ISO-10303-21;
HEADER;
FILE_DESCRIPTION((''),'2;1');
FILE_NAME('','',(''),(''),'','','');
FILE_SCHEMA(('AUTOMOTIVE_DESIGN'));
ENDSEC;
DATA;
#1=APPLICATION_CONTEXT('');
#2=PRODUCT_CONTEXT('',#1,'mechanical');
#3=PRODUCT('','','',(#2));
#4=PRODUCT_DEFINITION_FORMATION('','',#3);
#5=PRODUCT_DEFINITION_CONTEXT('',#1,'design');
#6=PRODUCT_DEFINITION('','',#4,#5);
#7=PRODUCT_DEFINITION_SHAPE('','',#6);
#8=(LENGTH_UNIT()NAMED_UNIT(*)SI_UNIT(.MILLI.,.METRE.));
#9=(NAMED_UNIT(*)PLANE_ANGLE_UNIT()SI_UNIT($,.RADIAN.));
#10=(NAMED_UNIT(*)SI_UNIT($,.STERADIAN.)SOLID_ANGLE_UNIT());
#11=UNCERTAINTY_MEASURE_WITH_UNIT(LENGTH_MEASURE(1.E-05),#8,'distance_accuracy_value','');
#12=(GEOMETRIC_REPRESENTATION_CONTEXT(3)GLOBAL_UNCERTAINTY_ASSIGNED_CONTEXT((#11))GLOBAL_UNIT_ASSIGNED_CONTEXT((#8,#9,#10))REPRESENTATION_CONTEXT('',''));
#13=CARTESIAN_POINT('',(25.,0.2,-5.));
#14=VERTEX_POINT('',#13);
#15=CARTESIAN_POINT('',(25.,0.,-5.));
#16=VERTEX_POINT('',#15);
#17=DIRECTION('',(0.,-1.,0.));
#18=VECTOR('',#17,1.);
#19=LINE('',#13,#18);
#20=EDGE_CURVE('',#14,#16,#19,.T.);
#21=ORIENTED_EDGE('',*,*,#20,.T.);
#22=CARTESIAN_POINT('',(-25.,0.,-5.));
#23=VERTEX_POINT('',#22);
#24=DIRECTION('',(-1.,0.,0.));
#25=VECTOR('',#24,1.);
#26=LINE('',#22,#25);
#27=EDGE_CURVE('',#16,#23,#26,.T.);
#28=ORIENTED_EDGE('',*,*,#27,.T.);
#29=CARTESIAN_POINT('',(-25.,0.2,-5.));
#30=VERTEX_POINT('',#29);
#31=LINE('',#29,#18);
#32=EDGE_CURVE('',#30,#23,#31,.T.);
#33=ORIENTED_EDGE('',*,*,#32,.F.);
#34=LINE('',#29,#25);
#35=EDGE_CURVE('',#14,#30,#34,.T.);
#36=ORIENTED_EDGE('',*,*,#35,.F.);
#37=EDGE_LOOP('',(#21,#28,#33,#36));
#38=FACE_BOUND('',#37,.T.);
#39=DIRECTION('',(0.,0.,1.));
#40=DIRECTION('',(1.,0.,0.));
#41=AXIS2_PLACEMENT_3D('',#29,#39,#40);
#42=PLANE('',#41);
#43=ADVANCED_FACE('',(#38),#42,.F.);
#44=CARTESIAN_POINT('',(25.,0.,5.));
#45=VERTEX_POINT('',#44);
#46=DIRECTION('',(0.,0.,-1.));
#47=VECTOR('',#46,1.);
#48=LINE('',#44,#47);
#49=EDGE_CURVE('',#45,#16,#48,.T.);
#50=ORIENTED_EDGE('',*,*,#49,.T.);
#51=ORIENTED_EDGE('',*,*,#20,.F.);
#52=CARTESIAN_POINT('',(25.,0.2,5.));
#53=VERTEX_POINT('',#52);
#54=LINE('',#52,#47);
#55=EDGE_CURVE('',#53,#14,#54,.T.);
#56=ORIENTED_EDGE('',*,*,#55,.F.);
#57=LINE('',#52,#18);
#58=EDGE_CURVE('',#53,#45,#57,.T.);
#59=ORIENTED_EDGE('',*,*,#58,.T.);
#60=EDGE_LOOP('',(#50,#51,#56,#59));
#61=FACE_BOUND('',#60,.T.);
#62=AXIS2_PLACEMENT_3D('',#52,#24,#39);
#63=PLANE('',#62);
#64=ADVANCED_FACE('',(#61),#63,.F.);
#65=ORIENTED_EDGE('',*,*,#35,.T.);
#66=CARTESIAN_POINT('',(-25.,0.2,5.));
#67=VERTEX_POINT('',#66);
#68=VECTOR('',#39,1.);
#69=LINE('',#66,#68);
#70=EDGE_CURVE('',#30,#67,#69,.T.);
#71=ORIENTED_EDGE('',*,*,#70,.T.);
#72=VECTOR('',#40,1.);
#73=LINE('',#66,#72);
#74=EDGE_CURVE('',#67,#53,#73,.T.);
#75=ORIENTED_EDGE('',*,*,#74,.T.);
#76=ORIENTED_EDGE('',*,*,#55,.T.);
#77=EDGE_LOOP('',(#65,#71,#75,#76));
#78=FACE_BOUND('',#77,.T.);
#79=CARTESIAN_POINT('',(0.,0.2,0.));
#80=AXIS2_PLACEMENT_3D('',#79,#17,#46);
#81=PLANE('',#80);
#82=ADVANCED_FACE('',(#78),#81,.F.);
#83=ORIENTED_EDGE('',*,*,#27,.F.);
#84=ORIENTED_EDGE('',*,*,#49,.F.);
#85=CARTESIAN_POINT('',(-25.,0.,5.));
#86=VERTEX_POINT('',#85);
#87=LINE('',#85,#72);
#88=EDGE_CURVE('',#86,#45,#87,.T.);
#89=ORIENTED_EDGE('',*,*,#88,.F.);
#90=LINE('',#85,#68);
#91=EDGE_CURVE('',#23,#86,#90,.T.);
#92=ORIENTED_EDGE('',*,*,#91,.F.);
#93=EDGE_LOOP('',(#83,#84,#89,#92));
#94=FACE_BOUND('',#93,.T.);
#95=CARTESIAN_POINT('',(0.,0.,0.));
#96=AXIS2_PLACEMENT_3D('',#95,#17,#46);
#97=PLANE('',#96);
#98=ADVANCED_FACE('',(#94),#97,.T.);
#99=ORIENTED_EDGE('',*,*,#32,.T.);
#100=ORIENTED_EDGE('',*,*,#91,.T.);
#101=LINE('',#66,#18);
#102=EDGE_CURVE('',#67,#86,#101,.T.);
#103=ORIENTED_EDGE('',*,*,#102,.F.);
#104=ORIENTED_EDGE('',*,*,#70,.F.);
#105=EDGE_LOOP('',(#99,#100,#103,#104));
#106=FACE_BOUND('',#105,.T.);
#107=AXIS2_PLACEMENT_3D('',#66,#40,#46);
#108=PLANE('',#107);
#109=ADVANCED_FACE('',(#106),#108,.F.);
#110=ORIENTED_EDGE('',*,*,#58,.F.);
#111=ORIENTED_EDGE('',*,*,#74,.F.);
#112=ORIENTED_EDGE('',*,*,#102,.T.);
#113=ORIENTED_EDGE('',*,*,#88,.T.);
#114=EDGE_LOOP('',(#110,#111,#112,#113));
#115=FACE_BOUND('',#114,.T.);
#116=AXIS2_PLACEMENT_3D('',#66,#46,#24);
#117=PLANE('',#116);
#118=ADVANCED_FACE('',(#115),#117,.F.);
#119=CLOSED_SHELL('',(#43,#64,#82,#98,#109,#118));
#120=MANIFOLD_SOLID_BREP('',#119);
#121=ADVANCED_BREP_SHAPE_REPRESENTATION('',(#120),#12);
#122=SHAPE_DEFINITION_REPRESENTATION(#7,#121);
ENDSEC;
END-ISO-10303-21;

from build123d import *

# Parameters (mm, degrees)
CROQUIS1_W              = 50
CROQUIS1_H              = 10
SALIENTE_EXTRUIR1_DEPTH = 0.2


with BuildPart() as part:
    # Croquis1 → Saliente-Extruir1 (new body)
    with BuildSketch(Plane(origin=(0, 0, 0), x_dir=(1, 0, 0), z_dir=(0, 1, 0))):
        Rectangle(CROQUIS1_W, CROQUIS1_H)
    extrude(amount=SALIENTE_EXTRUIR1_DEPTH)


solid = part.part
